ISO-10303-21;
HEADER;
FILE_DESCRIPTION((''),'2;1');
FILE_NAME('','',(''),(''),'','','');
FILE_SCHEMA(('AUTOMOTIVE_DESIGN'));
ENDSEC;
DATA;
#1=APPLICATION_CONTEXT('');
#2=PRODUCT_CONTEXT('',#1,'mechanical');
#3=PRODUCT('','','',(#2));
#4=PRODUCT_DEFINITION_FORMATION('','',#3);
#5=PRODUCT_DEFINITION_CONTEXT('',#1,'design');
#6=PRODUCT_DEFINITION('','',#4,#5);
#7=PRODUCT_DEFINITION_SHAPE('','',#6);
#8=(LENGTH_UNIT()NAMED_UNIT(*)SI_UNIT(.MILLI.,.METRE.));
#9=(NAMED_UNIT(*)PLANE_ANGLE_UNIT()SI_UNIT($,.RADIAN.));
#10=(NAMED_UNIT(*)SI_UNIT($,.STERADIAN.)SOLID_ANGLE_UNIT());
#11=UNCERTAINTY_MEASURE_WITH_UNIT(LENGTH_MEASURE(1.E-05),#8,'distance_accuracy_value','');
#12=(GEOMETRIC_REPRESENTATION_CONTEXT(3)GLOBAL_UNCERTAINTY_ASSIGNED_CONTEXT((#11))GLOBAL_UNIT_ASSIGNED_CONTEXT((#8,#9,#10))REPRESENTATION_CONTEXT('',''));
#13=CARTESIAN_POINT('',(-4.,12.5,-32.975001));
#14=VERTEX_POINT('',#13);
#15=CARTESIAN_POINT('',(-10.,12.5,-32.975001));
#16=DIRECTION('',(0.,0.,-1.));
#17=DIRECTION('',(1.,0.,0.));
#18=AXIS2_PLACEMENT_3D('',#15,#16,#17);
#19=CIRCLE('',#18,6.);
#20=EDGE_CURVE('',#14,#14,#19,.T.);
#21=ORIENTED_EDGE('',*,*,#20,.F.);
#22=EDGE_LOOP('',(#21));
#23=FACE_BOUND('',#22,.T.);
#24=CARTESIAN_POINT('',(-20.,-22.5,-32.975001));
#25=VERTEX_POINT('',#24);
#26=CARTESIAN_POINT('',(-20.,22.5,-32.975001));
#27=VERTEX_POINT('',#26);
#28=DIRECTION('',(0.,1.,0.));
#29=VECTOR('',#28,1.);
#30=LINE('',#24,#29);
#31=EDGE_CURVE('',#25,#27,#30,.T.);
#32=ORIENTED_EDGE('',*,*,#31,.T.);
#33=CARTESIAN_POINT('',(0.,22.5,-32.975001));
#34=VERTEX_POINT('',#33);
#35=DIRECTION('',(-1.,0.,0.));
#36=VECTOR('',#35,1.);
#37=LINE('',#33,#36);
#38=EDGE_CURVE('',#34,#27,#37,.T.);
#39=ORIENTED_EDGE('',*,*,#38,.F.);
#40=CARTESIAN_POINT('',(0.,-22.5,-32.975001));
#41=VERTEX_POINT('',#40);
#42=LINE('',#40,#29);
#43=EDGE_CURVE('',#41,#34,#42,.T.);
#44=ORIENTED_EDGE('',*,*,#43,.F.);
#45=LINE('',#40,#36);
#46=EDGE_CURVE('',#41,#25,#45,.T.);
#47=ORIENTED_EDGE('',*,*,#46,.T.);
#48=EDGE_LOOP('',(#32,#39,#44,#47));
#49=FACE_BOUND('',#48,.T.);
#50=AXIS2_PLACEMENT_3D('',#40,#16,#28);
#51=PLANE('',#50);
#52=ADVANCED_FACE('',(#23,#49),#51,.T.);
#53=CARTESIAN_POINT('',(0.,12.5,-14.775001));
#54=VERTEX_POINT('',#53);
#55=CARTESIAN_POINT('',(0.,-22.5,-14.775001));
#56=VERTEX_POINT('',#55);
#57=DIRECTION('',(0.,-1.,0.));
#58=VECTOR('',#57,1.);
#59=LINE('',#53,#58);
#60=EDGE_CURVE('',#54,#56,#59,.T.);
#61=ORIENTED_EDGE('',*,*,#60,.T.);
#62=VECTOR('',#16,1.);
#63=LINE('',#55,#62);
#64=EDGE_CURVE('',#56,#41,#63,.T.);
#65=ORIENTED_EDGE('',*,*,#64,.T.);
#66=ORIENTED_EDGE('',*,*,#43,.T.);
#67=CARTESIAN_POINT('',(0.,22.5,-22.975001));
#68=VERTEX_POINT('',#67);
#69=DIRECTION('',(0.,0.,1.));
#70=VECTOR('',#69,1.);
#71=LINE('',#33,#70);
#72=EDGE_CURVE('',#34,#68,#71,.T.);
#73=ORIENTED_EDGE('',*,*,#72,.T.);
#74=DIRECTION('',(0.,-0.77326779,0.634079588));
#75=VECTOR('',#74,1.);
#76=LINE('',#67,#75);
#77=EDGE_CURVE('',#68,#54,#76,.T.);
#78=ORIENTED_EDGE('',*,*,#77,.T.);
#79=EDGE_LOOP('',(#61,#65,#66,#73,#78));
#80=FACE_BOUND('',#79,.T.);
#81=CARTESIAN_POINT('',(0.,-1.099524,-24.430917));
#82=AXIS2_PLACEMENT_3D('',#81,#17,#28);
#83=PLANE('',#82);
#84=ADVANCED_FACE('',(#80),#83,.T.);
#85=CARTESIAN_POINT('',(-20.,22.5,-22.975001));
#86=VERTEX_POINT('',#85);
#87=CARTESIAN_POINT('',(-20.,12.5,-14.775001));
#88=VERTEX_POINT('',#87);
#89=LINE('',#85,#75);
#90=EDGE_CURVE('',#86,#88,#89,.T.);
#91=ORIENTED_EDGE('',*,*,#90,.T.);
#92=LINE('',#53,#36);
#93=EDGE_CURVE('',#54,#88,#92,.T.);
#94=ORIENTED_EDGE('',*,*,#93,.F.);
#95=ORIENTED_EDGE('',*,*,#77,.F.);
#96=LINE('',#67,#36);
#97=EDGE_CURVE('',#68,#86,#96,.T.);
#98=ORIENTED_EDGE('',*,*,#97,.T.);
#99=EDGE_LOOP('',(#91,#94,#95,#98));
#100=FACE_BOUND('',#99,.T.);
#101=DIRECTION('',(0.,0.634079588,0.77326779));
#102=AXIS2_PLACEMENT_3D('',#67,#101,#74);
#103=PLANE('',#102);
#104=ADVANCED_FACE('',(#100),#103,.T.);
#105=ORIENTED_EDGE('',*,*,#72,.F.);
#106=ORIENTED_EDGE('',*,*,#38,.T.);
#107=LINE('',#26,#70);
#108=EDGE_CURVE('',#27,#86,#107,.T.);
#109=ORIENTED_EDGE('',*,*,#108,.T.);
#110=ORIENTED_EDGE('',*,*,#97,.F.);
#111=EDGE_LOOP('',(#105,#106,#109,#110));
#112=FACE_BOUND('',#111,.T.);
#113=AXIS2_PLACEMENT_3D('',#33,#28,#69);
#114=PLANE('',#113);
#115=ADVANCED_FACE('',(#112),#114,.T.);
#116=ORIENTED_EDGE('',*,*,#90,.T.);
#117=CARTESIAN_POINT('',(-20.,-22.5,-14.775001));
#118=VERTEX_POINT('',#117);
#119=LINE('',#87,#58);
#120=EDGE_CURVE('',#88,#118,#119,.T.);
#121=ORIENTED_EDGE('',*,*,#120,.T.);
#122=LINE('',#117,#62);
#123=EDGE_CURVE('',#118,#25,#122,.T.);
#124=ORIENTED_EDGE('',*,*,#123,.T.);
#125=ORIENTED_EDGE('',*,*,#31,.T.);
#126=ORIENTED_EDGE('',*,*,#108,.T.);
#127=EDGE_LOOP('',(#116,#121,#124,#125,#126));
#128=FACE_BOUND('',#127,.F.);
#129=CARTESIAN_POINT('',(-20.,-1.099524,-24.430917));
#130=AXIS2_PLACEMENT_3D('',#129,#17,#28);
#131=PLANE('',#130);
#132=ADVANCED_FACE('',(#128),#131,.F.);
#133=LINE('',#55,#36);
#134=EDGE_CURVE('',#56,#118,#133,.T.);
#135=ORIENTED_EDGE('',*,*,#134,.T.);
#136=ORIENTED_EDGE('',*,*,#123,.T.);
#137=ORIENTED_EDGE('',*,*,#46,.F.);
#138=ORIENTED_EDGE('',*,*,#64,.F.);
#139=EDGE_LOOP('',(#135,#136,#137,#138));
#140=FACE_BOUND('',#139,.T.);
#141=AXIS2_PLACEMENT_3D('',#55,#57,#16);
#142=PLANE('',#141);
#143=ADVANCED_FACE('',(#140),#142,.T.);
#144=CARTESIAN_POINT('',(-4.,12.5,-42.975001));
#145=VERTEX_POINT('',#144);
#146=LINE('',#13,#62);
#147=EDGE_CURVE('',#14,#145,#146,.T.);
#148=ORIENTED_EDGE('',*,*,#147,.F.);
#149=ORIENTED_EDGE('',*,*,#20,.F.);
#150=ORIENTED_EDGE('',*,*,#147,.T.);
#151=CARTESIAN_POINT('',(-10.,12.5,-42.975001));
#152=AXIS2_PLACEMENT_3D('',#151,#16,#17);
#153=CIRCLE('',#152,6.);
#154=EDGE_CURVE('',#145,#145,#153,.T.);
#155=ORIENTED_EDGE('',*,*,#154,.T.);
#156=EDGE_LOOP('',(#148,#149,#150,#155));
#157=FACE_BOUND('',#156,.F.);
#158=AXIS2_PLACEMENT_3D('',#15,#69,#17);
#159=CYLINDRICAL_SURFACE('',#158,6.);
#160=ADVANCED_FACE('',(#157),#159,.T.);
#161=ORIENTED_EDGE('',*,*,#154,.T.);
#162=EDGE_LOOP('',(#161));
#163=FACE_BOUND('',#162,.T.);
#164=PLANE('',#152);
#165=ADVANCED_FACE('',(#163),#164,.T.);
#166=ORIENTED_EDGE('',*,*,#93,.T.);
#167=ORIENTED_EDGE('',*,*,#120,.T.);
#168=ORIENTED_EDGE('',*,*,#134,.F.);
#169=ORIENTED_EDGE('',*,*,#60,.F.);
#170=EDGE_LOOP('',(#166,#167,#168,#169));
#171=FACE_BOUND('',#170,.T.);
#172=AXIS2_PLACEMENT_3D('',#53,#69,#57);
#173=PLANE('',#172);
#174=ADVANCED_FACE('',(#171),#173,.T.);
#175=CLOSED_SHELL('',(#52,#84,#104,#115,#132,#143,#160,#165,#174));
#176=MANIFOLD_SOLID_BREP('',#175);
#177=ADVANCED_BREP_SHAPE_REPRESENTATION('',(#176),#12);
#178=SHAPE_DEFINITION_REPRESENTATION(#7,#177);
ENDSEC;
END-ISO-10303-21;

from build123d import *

# Parameters (mm, degrees)
F1_DEPTH = 20
F2_R     = 6
F3_DEPTH = 10


with BuildPart() as f1:
    # F0 (on Right) → F1 (new body)
    with BuildSketch(Plane.YZ):
        Polygon((12.5, -14.775001), (-22.5, -14.775001), (-22.5, -32.975001), (22.5, -32.975001), (22.5, -22.975001), align=None)
    extrude(amount=-F1_DEPTH)

    # F2 (on face) → F3 (join)
    with BuildSketch(Plane(origin=(0, 0, -32.975001), x_dir=(1, 0, 0), z_dir=(0, 0, -1))):
        with Locations((-10, -12.5)):
            Circle(F2_R)
    extrude(amount=F3_DEPTH)


solid = f1.part
